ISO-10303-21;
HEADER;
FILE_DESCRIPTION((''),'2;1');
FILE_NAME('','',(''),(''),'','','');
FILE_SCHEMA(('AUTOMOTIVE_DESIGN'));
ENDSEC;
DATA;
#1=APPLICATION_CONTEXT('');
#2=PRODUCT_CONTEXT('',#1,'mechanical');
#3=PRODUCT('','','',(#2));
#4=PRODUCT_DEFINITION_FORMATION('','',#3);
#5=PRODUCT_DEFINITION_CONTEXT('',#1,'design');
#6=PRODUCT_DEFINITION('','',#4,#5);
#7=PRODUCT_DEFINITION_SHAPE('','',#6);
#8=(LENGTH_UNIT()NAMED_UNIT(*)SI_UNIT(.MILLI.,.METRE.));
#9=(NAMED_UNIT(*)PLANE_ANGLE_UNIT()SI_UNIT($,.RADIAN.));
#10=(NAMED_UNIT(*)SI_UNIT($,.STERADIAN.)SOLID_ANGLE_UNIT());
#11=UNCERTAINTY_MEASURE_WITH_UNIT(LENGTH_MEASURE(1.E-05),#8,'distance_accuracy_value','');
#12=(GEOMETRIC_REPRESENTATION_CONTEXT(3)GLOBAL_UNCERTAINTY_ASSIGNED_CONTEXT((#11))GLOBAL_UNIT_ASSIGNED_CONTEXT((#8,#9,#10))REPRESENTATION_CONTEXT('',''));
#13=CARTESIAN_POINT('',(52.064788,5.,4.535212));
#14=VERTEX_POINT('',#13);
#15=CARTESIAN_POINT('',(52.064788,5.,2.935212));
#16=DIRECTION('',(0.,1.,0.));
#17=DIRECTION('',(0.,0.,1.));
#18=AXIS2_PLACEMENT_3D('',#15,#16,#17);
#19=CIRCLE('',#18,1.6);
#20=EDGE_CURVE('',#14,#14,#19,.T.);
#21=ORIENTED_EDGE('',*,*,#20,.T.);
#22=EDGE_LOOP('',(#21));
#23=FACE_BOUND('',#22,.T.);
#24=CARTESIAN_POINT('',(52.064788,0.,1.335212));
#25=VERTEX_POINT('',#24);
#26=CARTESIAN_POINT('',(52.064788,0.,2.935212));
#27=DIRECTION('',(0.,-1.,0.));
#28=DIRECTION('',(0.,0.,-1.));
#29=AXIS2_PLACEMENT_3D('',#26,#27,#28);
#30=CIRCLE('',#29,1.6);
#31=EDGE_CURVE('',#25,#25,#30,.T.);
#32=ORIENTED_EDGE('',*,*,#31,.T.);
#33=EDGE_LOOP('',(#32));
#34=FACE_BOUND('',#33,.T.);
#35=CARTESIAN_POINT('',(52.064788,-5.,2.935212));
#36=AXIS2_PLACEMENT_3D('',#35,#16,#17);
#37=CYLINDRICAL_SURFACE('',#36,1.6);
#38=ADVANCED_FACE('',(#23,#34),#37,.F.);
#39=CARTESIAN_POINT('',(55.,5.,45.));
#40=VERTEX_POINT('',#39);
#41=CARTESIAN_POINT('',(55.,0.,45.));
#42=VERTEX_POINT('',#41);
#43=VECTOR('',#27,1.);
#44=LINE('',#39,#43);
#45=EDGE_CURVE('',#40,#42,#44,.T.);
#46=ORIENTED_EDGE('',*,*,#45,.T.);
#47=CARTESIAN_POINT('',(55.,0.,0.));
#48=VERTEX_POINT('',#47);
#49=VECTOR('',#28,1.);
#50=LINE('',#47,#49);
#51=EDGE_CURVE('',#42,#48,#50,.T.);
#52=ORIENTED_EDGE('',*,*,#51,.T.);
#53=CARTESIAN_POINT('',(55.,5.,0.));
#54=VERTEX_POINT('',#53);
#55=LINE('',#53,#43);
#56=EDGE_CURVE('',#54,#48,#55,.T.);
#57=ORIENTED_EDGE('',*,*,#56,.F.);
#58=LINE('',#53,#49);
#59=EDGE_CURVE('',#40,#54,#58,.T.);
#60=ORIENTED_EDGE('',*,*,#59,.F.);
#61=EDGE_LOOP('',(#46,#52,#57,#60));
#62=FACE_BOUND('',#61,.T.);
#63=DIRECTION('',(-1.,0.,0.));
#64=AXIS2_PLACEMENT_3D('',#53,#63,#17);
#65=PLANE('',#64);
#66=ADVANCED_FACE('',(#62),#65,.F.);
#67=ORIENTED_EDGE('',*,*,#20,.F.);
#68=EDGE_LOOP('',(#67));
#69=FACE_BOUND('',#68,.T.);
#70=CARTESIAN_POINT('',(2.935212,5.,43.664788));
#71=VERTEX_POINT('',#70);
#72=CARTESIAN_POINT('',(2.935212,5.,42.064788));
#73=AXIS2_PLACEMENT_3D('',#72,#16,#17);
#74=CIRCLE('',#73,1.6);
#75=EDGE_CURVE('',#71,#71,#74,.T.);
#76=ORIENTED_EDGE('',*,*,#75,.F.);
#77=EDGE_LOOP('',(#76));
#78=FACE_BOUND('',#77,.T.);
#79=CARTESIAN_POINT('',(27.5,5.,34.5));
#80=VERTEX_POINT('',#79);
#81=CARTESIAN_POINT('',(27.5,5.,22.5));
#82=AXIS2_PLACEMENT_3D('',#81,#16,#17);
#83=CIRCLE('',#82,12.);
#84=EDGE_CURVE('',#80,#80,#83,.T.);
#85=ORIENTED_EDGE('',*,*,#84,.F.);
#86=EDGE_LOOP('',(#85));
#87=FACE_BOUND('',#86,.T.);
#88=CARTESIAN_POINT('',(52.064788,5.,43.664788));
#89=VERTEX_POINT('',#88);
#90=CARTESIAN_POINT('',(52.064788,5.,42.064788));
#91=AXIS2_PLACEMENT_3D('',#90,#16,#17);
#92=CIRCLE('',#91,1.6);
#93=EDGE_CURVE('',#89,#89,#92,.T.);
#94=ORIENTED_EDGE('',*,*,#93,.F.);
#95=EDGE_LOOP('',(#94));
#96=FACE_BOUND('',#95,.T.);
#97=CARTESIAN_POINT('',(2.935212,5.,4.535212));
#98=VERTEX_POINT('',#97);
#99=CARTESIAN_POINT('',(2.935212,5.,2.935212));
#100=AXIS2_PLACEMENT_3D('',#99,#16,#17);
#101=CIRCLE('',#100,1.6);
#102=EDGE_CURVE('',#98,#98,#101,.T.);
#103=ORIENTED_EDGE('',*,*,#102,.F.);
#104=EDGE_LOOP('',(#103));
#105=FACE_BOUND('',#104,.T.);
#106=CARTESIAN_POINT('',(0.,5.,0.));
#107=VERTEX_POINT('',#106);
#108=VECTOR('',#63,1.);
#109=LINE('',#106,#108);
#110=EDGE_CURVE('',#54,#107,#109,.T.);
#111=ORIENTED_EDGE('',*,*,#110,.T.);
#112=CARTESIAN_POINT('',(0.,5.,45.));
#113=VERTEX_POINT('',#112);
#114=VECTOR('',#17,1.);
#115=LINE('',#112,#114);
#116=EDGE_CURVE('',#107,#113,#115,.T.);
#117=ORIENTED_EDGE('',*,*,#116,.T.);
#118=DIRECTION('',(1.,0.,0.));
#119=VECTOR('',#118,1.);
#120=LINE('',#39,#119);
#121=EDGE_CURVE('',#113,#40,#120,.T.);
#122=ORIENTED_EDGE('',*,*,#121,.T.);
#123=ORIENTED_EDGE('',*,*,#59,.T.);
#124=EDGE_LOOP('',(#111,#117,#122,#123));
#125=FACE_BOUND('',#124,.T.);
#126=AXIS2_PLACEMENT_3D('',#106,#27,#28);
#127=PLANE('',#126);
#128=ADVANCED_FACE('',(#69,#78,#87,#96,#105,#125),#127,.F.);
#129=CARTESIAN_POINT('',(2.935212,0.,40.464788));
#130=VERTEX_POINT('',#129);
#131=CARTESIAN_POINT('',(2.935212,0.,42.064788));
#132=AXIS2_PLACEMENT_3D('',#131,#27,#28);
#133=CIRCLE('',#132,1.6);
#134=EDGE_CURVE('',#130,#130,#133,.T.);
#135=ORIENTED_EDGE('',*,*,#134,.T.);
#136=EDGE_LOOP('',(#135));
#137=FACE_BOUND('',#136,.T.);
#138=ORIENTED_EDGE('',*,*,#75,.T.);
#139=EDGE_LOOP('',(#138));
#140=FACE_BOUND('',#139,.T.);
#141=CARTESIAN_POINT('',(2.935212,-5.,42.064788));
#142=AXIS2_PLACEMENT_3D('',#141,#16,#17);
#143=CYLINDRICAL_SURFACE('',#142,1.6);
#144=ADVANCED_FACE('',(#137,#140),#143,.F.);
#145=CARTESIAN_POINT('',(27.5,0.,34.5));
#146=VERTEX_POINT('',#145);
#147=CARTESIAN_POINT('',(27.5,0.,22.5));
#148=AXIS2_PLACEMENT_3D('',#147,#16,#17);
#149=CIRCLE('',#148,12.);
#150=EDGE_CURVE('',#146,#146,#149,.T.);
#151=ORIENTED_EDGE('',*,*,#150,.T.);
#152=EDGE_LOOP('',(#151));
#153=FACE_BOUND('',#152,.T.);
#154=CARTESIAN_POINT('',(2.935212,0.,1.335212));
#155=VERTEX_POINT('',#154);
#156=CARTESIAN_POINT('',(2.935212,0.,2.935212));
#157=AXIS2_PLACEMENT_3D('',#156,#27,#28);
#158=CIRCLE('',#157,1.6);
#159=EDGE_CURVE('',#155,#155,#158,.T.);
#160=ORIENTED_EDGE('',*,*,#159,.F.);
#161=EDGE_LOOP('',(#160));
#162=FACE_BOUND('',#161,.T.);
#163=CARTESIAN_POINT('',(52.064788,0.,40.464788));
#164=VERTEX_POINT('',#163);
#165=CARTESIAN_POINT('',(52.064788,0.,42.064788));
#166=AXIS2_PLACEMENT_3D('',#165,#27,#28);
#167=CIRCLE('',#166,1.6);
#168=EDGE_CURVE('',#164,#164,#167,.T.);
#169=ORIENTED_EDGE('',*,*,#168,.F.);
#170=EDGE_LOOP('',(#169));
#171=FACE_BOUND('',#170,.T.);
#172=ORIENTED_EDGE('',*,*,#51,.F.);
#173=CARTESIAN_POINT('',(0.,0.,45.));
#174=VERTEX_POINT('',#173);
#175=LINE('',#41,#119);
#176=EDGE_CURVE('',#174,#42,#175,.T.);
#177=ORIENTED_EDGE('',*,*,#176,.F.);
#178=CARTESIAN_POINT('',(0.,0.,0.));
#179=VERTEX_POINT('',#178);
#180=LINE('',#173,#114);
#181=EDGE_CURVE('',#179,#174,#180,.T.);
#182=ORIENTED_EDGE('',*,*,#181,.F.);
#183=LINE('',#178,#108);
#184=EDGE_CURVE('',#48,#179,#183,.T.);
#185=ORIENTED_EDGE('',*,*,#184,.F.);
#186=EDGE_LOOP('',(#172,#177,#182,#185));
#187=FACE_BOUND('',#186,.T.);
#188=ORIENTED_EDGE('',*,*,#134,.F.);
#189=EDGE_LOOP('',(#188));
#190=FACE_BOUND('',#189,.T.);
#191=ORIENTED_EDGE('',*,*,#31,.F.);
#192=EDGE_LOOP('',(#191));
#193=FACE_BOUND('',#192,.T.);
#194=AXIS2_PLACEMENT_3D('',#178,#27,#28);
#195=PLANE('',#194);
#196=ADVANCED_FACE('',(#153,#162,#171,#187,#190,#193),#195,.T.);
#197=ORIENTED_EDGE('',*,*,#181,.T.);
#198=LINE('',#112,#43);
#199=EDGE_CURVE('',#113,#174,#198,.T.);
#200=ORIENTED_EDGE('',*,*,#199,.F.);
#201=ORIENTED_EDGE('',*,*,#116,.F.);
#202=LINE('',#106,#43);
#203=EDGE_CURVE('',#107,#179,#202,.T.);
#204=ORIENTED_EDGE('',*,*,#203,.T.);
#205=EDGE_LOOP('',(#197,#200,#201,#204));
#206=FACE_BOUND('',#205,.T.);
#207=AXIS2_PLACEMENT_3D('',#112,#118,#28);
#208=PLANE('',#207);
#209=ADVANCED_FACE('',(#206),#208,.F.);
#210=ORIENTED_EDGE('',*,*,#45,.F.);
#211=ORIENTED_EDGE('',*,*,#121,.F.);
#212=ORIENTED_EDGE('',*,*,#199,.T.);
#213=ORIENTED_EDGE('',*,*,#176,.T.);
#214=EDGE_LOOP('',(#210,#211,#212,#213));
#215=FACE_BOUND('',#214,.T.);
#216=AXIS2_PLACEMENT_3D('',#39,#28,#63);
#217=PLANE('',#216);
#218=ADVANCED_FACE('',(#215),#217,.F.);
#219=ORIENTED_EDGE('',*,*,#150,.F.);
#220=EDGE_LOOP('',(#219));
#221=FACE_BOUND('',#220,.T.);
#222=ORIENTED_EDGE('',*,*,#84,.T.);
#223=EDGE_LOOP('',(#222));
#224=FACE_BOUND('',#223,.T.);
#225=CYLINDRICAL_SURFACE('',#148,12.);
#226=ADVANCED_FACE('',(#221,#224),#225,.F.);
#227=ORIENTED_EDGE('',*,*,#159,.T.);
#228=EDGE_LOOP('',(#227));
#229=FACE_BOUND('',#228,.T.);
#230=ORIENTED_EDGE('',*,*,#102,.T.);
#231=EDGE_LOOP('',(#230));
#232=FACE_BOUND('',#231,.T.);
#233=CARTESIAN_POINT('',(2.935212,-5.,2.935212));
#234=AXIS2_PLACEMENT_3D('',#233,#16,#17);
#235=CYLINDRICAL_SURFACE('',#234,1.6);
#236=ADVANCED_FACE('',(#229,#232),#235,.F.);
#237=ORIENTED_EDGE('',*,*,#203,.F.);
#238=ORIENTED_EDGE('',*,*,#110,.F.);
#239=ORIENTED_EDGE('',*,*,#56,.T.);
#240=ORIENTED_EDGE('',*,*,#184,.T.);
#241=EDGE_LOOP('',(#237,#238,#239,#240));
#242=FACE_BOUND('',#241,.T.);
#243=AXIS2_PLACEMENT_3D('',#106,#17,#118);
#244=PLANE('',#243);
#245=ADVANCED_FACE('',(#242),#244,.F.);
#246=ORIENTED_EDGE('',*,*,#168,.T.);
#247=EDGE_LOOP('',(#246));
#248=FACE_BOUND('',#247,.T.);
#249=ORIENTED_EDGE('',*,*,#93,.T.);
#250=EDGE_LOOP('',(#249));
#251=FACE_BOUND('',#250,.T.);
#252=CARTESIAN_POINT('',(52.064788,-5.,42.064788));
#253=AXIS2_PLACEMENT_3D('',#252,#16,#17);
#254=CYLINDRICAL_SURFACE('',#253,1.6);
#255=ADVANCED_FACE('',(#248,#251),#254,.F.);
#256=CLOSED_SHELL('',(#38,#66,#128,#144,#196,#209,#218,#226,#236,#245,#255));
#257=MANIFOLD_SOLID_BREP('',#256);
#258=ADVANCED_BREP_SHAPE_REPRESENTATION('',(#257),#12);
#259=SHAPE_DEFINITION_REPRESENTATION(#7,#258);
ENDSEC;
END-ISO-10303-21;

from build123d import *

# Parameters (mm, degrees)
SKETCH1_W           = 55
SKETCH1_H           = 45
BOSS_EXTRUDE1_DEPTH = 5
SKETCH2_R           = 12
CUT_EXTRUDE1_DEPTH  = 5
SKETCH3_R           = 1.6
CUT_EXTRUDE2_DEPTH  = 10


with BuildPart() as part:
    # Sketch1 → Boss-Extrude1 (new body)
    with BuildSketch(Plane(origin=(0, 0, 0), x_dir=(1, 0, 0), z_dir=(0, 1, 0))):
        with Locations((27.5, -22.5)):
            Rectangle(SKETCH1_W, SKETCH1_H)
    extrude(amount=BOSS_EXTRUDE1_DEPTH)

    # Sketch2 → Cut-Extrude1 (cut)
    with BuildSketch(Plane(origin=(0, 5, 0), x_dir=(1, 0, 0), z_dir=(0, 1, 0))):
        with Locations((27.5, -22.5)):
            Circle(SKETCH2_R)
    extrude(amount=-CUT_EXTRUDE1_DEPTH, mode=Mode.SUBTRACT)

    # Sketch3 → Cut-Extrude2 (cut)
    with BuildSketch(Plane(origin=(0, 5, 0), x_dir=(1, 0, 0), z_dir=(0, 1, 0))):
        with Locations((2.935211994, -2.935211994)):
            Circle(SKETCH3_R)
        with Locations((52.064788006, -2.935211994)):
            Circle(SKETCH3_R)
        with Locations((52.064788006, -42.064788006)):
            Circle(SKETCH3_R)
        with Locations((2.935211994, -42.064788006)):
            Circle(SKETCH3_R)
    extrude(amount=-CUT_EXTRUDE2_DEPTH, mode=Mode.SUBTRACT)


solid = part.part
